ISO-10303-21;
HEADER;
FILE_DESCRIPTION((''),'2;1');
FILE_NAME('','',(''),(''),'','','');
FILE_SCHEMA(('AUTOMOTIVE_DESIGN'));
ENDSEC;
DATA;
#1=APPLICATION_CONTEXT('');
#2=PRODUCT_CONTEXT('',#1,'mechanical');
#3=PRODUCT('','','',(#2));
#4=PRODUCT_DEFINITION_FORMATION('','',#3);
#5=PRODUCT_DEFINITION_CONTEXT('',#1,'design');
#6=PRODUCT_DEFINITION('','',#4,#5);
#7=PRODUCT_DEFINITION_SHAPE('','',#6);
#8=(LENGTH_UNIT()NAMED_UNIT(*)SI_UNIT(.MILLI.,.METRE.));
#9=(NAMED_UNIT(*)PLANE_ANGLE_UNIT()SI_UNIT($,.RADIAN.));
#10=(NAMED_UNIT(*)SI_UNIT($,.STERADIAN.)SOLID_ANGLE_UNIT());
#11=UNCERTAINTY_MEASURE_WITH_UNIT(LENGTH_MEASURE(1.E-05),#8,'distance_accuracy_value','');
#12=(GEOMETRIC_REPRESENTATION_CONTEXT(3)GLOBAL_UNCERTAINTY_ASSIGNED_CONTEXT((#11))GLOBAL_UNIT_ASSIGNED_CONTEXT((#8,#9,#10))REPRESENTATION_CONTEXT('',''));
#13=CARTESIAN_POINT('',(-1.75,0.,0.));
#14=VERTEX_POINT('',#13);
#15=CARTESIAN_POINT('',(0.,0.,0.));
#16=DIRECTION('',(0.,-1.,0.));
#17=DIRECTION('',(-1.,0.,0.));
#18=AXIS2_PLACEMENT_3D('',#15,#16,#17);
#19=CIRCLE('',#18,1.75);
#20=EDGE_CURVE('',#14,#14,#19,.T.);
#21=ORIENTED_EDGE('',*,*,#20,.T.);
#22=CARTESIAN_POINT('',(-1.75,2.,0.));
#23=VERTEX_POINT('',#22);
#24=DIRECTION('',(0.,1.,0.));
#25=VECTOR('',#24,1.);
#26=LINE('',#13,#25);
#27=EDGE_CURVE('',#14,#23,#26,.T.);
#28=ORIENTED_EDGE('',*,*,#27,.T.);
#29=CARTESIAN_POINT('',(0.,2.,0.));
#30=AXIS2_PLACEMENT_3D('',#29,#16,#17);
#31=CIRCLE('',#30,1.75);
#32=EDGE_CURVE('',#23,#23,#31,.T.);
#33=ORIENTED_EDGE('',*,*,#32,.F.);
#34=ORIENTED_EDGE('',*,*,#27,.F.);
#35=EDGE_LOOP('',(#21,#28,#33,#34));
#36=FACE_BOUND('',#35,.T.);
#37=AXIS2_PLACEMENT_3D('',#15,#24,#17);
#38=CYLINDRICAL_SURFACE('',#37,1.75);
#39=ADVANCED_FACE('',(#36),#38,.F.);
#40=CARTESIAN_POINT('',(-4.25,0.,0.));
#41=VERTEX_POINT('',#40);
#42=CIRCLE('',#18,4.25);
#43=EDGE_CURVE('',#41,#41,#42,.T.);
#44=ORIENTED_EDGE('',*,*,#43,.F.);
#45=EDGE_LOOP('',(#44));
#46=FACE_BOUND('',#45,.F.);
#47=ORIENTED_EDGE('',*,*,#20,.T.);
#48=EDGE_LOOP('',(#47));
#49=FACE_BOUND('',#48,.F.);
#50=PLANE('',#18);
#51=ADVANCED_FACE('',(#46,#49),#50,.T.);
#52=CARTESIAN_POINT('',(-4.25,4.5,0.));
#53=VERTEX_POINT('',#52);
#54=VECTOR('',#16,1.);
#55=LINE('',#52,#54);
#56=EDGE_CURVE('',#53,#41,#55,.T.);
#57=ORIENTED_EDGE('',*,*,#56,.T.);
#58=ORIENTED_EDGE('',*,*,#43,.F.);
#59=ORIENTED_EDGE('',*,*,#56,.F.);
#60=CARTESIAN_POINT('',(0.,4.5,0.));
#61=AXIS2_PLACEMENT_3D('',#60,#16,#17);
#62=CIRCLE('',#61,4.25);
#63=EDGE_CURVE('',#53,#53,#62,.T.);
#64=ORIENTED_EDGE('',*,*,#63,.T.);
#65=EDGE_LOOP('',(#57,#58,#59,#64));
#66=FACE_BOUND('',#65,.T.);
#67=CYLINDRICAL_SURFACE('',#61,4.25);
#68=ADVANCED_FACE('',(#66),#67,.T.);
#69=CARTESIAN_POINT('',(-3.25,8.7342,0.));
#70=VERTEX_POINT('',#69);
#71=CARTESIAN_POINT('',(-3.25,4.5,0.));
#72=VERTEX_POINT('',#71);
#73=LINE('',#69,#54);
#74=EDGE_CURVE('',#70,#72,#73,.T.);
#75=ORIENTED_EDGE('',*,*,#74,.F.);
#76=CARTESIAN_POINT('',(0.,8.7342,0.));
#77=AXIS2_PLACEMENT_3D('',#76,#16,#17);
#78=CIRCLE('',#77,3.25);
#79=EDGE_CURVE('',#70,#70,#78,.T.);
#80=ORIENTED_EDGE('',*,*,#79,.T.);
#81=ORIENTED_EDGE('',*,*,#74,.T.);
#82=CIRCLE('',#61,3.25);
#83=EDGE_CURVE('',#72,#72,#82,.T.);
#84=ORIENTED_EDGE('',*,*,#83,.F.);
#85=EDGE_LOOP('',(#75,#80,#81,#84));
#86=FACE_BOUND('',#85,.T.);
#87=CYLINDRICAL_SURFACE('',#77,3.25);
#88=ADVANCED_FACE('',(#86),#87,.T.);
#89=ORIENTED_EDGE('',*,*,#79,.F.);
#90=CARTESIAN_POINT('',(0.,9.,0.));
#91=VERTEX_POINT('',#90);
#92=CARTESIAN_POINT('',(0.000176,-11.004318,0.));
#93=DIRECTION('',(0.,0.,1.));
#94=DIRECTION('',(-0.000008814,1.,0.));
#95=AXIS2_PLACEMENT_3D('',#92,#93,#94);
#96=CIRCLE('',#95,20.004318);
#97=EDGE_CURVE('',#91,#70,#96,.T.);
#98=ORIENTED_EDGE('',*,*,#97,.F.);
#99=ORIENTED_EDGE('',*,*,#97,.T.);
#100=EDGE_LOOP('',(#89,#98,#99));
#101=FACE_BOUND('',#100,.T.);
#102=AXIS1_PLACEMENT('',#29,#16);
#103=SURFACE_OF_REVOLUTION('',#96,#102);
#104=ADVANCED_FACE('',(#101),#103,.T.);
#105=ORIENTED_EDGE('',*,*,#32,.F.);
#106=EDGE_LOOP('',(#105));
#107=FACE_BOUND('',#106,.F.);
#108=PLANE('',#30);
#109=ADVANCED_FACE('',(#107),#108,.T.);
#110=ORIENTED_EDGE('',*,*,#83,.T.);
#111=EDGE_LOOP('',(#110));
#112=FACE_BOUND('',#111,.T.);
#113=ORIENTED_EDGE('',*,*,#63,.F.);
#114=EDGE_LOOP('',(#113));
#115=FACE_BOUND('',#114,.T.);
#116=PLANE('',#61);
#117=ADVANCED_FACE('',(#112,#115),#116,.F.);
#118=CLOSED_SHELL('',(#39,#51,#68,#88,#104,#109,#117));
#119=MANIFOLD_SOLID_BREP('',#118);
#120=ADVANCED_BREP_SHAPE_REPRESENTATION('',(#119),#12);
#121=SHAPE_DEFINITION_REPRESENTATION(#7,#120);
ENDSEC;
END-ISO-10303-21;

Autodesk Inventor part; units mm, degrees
ref_plane "YZ Plane" through (0, 0, 0) normal (1, 0, 0) x (0, 1, 0)
ref_plane "XZ Plane" through (0, 0, 0) normal (0, 1, 0) x (-1, 0, 0)
ref_plane "XY Plane" through (0, 0, 0) normal (0, 0, 1) x (1, 0, 0)
sketch "Sketch1" plane through (0, 0, 0) normal (0, 0, 1) x (1, 0, 0)
  line L0 (-1.75, 0) -> (-4.25, 0)
  arc A0 (0, 9) -> (-3.25, 8.7342) centre (0, -11) ccw
  line L1 (-1.75, 0) -> (-1.75, 2)
  line L2 (-3.25, 4.5) -> (-4.25, 4.5)
  line L3 (-3.25, 8.7342) -> (-3.25, 4.5)
  line L4 (0, 2) -> (-1.75, 2)
  line L5 (-4.25, 4.5) -> (-4.25, 0)
  line L6 (0, 9) -> (0, 2)
  line L7 (0, 2) -> (0, -8)
revolve "Revolution1" add sketch "Sketch1" angle 360 about axis through (0, 2, 0) along (0, -1, 0)
properties part number "GUI button" material "Nylon 6/6"
